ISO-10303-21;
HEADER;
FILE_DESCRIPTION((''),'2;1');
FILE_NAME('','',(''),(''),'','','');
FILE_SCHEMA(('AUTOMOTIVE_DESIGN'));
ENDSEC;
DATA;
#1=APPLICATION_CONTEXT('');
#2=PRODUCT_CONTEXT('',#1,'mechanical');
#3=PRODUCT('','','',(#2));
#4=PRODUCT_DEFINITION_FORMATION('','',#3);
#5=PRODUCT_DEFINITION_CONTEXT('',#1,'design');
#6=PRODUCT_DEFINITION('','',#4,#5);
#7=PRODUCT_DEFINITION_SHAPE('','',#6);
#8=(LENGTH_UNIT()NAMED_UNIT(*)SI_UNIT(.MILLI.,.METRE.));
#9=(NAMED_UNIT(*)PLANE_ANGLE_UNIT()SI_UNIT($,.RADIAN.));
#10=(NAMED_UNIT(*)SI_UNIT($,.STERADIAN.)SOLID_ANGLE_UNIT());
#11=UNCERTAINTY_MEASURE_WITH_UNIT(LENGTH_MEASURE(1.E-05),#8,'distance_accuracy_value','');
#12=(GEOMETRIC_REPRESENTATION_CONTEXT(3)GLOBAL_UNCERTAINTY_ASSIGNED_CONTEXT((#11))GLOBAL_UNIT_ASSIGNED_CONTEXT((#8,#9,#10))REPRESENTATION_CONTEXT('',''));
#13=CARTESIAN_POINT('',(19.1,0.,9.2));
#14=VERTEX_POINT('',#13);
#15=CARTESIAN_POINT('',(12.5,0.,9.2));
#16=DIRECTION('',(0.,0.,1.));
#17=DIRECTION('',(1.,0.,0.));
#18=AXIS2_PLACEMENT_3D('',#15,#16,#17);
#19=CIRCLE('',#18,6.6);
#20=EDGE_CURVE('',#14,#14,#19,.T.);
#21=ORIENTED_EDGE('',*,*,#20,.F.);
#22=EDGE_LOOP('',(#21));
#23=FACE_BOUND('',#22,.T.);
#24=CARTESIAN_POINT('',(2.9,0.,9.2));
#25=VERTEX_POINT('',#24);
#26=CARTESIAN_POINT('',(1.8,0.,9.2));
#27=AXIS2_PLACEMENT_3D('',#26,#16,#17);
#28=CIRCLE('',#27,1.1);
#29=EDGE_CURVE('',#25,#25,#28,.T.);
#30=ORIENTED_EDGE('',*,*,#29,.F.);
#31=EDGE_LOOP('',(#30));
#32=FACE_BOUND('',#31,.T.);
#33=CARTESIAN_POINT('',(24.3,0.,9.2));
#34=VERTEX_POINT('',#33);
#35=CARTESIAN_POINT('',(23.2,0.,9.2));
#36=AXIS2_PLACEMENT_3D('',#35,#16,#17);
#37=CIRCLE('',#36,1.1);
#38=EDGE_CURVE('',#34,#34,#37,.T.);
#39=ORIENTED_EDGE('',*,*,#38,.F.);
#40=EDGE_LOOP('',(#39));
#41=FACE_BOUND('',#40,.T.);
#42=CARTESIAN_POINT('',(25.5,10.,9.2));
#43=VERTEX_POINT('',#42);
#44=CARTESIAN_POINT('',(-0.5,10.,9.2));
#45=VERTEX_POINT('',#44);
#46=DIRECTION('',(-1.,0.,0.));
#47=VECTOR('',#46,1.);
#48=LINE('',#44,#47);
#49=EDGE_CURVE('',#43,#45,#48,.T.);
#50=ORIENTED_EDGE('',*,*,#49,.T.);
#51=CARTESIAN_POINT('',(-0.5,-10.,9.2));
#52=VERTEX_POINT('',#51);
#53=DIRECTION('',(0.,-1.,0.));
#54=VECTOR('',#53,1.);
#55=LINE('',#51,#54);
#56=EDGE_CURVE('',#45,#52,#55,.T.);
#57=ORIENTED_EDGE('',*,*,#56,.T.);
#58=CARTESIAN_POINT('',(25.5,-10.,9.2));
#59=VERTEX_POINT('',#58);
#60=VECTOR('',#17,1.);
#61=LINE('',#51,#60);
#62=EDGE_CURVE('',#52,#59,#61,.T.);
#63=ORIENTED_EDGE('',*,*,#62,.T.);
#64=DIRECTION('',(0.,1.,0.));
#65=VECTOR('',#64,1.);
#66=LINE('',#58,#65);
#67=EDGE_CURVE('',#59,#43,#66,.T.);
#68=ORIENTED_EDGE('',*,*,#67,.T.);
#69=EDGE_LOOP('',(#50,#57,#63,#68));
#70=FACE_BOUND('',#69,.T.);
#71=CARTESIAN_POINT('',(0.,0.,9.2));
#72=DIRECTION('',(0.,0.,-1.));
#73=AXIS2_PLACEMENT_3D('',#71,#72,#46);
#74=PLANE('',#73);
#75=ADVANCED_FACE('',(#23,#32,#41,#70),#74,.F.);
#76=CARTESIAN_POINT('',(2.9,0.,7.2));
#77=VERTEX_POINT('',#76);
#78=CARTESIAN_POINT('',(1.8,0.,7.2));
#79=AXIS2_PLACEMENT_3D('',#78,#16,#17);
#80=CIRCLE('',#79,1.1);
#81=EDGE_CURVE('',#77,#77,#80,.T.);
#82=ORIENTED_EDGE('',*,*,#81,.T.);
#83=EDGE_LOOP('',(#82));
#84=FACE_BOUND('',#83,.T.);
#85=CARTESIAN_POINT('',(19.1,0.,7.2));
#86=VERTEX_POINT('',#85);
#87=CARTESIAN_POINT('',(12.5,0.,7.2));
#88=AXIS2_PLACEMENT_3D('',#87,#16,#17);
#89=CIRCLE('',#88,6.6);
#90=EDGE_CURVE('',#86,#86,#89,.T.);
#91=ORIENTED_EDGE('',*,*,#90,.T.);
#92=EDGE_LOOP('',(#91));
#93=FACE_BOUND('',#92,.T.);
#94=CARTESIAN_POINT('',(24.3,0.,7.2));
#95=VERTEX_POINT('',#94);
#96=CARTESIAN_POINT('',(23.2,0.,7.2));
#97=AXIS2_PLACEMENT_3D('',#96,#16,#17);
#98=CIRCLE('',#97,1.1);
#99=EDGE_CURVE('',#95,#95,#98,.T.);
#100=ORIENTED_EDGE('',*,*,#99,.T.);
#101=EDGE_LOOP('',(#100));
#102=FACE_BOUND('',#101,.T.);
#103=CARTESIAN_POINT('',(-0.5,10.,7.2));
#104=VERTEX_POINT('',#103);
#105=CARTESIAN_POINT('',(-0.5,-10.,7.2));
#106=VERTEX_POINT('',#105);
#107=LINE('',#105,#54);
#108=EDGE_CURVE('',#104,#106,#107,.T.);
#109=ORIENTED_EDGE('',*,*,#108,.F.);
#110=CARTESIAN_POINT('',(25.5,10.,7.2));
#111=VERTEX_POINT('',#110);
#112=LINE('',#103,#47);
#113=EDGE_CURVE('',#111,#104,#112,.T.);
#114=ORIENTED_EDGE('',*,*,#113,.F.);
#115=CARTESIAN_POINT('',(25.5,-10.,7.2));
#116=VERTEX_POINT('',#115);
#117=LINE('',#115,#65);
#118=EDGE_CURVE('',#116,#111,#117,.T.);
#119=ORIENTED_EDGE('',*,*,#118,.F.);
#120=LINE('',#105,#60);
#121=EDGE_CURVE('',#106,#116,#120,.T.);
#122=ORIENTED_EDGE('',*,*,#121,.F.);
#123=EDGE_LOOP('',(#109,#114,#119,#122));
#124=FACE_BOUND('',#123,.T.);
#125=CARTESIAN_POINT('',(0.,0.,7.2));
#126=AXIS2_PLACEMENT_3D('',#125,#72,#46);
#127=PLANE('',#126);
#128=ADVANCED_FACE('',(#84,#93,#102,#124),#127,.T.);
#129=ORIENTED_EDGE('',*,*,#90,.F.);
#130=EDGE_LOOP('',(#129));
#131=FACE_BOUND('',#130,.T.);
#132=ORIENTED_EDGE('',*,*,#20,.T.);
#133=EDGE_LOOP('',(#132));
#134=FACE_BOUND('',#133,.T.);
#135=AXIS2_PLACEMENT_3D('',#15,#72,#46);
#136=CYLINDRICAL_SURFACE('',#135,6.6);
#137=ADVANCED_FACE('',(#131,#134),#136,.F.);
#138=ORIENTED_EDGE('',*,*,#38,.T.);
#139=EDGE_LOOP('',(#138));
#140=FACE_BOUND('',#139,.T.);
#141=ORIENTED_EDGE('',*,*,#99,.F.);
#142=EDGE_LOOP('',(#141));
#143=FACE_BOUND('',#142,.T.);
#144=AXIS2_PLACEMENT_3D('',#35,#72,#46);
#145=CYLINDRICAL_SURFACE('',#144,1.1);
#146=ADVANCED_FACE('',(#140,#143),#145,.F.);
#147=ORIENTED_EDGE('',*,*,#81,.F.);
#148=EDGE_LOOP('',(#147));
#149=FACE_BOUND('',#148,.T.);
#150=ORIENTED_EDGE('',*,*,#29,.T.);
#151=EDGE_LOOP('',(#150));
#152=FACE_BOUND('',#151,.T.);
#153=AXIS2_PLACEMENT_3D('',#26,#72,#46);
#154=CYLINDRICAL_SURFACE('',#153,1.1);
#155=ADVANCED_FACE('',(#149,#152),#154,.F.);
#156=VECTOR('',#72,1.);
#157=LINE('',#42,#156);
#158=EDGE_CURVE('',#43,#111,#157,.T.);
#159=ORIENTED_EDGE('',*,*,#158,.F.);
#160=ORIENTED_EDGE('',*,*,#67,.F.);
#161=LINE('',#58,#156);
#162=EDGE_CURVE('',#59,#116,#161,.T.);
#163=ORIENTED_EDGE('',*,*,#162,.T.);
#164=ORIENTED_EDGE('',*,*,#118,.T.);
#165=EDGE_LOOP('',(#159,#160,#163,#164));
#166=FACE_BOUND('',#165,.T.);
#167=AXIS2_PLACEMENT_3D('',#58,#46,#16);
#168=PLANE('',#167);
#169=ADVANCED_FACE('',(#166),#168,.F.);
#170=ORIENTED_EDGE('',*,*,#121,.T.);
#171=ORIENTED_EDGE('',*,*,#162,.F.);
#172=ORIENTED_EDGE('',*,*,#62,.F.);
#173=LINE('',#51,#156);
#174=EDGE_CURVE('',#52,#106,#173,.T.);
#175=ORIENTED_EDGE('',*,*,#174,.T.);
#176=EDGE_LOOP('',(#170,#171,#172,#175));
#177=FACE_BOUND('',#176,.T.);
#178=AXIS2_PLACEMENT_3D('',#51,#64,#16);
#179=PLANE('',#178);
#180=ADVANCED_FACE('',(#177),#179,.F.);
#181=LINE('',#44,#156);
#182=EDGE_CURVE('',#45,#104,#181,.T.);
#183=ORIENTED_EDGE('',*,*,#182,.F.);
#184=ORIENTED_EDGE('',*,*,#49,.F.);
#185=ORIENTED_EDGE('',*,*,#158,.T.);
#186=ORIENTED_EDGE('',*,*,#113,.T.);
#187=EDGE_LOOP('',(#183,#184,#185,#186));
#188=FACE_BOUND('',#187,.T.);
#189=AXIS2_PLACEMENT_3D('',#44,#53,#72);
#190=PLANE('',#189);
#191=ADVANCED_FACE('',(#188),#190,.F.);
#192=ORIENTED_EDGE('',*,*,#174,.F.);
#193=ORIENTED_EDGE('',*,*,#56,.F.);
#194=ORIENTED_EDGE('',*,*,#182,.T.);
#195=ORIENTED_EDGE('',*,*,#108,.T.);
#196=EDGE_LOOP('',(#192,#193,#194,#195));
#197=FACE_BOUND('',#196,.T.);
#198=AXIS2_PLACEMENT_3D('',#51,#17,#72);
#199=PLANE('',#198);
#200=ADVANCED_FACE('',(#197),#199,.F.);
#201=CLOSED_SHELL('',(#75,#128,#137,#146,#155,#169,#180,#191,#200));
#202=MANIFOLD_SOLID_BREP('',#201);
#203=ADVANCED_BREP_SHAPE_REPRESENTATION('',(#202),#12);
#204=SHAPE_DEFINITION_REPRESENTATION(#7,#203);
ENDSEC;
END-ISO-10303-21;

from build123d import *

# Parameters (mm, degrees)
CAP_PLATE_26X20X2_START       = 7.2
CAP_PLATE_26X20X2_PROFILE_W   = 26
CAP_PLATE_26X20X2_PROFILE_H   = 20
CAP_PLATE_26X20X2_PROFILE_R   = 6.6
CAP_PLATE_26X20X2_PROFILE_R_2 = 1.1
CAP_PLATE_26X20X2_DEPTH       = 2


with BuildPart() as part:
    # Cap_plate_26x20x2_Profile → Cap_plate_26x20x2 (new body)
    with BuildSketch(Plane.XY.offset(CAP_PLATE_26X20X2_START)):
        with Locations((12.5, 0)):
            Rectangle(CAP_PLATE_26X20X2_PROFILE_W, CAP_PLATE_26X20X2_PROFILE_H)
        with Locations((12.5, 0)):
            Circle(CAP_PLATE_26X20X2_PROFILE_R, mode=Mode.SUBTRACT)
        with Locations((1.8, 0)):
            Circle(CAP_PLATE_26X20X2_PROFILE_R_2, mode=Mode.SUBTRACT)
        with Locations((23.2, 0)):
            Circle(CAP_PLATE_26X20X2_PROFILE_R_2, mode=Mode.SUBTRACT)
    extrude(amount=CAP_PLATE_26X20X2_DEPTH)


solid = part.part
